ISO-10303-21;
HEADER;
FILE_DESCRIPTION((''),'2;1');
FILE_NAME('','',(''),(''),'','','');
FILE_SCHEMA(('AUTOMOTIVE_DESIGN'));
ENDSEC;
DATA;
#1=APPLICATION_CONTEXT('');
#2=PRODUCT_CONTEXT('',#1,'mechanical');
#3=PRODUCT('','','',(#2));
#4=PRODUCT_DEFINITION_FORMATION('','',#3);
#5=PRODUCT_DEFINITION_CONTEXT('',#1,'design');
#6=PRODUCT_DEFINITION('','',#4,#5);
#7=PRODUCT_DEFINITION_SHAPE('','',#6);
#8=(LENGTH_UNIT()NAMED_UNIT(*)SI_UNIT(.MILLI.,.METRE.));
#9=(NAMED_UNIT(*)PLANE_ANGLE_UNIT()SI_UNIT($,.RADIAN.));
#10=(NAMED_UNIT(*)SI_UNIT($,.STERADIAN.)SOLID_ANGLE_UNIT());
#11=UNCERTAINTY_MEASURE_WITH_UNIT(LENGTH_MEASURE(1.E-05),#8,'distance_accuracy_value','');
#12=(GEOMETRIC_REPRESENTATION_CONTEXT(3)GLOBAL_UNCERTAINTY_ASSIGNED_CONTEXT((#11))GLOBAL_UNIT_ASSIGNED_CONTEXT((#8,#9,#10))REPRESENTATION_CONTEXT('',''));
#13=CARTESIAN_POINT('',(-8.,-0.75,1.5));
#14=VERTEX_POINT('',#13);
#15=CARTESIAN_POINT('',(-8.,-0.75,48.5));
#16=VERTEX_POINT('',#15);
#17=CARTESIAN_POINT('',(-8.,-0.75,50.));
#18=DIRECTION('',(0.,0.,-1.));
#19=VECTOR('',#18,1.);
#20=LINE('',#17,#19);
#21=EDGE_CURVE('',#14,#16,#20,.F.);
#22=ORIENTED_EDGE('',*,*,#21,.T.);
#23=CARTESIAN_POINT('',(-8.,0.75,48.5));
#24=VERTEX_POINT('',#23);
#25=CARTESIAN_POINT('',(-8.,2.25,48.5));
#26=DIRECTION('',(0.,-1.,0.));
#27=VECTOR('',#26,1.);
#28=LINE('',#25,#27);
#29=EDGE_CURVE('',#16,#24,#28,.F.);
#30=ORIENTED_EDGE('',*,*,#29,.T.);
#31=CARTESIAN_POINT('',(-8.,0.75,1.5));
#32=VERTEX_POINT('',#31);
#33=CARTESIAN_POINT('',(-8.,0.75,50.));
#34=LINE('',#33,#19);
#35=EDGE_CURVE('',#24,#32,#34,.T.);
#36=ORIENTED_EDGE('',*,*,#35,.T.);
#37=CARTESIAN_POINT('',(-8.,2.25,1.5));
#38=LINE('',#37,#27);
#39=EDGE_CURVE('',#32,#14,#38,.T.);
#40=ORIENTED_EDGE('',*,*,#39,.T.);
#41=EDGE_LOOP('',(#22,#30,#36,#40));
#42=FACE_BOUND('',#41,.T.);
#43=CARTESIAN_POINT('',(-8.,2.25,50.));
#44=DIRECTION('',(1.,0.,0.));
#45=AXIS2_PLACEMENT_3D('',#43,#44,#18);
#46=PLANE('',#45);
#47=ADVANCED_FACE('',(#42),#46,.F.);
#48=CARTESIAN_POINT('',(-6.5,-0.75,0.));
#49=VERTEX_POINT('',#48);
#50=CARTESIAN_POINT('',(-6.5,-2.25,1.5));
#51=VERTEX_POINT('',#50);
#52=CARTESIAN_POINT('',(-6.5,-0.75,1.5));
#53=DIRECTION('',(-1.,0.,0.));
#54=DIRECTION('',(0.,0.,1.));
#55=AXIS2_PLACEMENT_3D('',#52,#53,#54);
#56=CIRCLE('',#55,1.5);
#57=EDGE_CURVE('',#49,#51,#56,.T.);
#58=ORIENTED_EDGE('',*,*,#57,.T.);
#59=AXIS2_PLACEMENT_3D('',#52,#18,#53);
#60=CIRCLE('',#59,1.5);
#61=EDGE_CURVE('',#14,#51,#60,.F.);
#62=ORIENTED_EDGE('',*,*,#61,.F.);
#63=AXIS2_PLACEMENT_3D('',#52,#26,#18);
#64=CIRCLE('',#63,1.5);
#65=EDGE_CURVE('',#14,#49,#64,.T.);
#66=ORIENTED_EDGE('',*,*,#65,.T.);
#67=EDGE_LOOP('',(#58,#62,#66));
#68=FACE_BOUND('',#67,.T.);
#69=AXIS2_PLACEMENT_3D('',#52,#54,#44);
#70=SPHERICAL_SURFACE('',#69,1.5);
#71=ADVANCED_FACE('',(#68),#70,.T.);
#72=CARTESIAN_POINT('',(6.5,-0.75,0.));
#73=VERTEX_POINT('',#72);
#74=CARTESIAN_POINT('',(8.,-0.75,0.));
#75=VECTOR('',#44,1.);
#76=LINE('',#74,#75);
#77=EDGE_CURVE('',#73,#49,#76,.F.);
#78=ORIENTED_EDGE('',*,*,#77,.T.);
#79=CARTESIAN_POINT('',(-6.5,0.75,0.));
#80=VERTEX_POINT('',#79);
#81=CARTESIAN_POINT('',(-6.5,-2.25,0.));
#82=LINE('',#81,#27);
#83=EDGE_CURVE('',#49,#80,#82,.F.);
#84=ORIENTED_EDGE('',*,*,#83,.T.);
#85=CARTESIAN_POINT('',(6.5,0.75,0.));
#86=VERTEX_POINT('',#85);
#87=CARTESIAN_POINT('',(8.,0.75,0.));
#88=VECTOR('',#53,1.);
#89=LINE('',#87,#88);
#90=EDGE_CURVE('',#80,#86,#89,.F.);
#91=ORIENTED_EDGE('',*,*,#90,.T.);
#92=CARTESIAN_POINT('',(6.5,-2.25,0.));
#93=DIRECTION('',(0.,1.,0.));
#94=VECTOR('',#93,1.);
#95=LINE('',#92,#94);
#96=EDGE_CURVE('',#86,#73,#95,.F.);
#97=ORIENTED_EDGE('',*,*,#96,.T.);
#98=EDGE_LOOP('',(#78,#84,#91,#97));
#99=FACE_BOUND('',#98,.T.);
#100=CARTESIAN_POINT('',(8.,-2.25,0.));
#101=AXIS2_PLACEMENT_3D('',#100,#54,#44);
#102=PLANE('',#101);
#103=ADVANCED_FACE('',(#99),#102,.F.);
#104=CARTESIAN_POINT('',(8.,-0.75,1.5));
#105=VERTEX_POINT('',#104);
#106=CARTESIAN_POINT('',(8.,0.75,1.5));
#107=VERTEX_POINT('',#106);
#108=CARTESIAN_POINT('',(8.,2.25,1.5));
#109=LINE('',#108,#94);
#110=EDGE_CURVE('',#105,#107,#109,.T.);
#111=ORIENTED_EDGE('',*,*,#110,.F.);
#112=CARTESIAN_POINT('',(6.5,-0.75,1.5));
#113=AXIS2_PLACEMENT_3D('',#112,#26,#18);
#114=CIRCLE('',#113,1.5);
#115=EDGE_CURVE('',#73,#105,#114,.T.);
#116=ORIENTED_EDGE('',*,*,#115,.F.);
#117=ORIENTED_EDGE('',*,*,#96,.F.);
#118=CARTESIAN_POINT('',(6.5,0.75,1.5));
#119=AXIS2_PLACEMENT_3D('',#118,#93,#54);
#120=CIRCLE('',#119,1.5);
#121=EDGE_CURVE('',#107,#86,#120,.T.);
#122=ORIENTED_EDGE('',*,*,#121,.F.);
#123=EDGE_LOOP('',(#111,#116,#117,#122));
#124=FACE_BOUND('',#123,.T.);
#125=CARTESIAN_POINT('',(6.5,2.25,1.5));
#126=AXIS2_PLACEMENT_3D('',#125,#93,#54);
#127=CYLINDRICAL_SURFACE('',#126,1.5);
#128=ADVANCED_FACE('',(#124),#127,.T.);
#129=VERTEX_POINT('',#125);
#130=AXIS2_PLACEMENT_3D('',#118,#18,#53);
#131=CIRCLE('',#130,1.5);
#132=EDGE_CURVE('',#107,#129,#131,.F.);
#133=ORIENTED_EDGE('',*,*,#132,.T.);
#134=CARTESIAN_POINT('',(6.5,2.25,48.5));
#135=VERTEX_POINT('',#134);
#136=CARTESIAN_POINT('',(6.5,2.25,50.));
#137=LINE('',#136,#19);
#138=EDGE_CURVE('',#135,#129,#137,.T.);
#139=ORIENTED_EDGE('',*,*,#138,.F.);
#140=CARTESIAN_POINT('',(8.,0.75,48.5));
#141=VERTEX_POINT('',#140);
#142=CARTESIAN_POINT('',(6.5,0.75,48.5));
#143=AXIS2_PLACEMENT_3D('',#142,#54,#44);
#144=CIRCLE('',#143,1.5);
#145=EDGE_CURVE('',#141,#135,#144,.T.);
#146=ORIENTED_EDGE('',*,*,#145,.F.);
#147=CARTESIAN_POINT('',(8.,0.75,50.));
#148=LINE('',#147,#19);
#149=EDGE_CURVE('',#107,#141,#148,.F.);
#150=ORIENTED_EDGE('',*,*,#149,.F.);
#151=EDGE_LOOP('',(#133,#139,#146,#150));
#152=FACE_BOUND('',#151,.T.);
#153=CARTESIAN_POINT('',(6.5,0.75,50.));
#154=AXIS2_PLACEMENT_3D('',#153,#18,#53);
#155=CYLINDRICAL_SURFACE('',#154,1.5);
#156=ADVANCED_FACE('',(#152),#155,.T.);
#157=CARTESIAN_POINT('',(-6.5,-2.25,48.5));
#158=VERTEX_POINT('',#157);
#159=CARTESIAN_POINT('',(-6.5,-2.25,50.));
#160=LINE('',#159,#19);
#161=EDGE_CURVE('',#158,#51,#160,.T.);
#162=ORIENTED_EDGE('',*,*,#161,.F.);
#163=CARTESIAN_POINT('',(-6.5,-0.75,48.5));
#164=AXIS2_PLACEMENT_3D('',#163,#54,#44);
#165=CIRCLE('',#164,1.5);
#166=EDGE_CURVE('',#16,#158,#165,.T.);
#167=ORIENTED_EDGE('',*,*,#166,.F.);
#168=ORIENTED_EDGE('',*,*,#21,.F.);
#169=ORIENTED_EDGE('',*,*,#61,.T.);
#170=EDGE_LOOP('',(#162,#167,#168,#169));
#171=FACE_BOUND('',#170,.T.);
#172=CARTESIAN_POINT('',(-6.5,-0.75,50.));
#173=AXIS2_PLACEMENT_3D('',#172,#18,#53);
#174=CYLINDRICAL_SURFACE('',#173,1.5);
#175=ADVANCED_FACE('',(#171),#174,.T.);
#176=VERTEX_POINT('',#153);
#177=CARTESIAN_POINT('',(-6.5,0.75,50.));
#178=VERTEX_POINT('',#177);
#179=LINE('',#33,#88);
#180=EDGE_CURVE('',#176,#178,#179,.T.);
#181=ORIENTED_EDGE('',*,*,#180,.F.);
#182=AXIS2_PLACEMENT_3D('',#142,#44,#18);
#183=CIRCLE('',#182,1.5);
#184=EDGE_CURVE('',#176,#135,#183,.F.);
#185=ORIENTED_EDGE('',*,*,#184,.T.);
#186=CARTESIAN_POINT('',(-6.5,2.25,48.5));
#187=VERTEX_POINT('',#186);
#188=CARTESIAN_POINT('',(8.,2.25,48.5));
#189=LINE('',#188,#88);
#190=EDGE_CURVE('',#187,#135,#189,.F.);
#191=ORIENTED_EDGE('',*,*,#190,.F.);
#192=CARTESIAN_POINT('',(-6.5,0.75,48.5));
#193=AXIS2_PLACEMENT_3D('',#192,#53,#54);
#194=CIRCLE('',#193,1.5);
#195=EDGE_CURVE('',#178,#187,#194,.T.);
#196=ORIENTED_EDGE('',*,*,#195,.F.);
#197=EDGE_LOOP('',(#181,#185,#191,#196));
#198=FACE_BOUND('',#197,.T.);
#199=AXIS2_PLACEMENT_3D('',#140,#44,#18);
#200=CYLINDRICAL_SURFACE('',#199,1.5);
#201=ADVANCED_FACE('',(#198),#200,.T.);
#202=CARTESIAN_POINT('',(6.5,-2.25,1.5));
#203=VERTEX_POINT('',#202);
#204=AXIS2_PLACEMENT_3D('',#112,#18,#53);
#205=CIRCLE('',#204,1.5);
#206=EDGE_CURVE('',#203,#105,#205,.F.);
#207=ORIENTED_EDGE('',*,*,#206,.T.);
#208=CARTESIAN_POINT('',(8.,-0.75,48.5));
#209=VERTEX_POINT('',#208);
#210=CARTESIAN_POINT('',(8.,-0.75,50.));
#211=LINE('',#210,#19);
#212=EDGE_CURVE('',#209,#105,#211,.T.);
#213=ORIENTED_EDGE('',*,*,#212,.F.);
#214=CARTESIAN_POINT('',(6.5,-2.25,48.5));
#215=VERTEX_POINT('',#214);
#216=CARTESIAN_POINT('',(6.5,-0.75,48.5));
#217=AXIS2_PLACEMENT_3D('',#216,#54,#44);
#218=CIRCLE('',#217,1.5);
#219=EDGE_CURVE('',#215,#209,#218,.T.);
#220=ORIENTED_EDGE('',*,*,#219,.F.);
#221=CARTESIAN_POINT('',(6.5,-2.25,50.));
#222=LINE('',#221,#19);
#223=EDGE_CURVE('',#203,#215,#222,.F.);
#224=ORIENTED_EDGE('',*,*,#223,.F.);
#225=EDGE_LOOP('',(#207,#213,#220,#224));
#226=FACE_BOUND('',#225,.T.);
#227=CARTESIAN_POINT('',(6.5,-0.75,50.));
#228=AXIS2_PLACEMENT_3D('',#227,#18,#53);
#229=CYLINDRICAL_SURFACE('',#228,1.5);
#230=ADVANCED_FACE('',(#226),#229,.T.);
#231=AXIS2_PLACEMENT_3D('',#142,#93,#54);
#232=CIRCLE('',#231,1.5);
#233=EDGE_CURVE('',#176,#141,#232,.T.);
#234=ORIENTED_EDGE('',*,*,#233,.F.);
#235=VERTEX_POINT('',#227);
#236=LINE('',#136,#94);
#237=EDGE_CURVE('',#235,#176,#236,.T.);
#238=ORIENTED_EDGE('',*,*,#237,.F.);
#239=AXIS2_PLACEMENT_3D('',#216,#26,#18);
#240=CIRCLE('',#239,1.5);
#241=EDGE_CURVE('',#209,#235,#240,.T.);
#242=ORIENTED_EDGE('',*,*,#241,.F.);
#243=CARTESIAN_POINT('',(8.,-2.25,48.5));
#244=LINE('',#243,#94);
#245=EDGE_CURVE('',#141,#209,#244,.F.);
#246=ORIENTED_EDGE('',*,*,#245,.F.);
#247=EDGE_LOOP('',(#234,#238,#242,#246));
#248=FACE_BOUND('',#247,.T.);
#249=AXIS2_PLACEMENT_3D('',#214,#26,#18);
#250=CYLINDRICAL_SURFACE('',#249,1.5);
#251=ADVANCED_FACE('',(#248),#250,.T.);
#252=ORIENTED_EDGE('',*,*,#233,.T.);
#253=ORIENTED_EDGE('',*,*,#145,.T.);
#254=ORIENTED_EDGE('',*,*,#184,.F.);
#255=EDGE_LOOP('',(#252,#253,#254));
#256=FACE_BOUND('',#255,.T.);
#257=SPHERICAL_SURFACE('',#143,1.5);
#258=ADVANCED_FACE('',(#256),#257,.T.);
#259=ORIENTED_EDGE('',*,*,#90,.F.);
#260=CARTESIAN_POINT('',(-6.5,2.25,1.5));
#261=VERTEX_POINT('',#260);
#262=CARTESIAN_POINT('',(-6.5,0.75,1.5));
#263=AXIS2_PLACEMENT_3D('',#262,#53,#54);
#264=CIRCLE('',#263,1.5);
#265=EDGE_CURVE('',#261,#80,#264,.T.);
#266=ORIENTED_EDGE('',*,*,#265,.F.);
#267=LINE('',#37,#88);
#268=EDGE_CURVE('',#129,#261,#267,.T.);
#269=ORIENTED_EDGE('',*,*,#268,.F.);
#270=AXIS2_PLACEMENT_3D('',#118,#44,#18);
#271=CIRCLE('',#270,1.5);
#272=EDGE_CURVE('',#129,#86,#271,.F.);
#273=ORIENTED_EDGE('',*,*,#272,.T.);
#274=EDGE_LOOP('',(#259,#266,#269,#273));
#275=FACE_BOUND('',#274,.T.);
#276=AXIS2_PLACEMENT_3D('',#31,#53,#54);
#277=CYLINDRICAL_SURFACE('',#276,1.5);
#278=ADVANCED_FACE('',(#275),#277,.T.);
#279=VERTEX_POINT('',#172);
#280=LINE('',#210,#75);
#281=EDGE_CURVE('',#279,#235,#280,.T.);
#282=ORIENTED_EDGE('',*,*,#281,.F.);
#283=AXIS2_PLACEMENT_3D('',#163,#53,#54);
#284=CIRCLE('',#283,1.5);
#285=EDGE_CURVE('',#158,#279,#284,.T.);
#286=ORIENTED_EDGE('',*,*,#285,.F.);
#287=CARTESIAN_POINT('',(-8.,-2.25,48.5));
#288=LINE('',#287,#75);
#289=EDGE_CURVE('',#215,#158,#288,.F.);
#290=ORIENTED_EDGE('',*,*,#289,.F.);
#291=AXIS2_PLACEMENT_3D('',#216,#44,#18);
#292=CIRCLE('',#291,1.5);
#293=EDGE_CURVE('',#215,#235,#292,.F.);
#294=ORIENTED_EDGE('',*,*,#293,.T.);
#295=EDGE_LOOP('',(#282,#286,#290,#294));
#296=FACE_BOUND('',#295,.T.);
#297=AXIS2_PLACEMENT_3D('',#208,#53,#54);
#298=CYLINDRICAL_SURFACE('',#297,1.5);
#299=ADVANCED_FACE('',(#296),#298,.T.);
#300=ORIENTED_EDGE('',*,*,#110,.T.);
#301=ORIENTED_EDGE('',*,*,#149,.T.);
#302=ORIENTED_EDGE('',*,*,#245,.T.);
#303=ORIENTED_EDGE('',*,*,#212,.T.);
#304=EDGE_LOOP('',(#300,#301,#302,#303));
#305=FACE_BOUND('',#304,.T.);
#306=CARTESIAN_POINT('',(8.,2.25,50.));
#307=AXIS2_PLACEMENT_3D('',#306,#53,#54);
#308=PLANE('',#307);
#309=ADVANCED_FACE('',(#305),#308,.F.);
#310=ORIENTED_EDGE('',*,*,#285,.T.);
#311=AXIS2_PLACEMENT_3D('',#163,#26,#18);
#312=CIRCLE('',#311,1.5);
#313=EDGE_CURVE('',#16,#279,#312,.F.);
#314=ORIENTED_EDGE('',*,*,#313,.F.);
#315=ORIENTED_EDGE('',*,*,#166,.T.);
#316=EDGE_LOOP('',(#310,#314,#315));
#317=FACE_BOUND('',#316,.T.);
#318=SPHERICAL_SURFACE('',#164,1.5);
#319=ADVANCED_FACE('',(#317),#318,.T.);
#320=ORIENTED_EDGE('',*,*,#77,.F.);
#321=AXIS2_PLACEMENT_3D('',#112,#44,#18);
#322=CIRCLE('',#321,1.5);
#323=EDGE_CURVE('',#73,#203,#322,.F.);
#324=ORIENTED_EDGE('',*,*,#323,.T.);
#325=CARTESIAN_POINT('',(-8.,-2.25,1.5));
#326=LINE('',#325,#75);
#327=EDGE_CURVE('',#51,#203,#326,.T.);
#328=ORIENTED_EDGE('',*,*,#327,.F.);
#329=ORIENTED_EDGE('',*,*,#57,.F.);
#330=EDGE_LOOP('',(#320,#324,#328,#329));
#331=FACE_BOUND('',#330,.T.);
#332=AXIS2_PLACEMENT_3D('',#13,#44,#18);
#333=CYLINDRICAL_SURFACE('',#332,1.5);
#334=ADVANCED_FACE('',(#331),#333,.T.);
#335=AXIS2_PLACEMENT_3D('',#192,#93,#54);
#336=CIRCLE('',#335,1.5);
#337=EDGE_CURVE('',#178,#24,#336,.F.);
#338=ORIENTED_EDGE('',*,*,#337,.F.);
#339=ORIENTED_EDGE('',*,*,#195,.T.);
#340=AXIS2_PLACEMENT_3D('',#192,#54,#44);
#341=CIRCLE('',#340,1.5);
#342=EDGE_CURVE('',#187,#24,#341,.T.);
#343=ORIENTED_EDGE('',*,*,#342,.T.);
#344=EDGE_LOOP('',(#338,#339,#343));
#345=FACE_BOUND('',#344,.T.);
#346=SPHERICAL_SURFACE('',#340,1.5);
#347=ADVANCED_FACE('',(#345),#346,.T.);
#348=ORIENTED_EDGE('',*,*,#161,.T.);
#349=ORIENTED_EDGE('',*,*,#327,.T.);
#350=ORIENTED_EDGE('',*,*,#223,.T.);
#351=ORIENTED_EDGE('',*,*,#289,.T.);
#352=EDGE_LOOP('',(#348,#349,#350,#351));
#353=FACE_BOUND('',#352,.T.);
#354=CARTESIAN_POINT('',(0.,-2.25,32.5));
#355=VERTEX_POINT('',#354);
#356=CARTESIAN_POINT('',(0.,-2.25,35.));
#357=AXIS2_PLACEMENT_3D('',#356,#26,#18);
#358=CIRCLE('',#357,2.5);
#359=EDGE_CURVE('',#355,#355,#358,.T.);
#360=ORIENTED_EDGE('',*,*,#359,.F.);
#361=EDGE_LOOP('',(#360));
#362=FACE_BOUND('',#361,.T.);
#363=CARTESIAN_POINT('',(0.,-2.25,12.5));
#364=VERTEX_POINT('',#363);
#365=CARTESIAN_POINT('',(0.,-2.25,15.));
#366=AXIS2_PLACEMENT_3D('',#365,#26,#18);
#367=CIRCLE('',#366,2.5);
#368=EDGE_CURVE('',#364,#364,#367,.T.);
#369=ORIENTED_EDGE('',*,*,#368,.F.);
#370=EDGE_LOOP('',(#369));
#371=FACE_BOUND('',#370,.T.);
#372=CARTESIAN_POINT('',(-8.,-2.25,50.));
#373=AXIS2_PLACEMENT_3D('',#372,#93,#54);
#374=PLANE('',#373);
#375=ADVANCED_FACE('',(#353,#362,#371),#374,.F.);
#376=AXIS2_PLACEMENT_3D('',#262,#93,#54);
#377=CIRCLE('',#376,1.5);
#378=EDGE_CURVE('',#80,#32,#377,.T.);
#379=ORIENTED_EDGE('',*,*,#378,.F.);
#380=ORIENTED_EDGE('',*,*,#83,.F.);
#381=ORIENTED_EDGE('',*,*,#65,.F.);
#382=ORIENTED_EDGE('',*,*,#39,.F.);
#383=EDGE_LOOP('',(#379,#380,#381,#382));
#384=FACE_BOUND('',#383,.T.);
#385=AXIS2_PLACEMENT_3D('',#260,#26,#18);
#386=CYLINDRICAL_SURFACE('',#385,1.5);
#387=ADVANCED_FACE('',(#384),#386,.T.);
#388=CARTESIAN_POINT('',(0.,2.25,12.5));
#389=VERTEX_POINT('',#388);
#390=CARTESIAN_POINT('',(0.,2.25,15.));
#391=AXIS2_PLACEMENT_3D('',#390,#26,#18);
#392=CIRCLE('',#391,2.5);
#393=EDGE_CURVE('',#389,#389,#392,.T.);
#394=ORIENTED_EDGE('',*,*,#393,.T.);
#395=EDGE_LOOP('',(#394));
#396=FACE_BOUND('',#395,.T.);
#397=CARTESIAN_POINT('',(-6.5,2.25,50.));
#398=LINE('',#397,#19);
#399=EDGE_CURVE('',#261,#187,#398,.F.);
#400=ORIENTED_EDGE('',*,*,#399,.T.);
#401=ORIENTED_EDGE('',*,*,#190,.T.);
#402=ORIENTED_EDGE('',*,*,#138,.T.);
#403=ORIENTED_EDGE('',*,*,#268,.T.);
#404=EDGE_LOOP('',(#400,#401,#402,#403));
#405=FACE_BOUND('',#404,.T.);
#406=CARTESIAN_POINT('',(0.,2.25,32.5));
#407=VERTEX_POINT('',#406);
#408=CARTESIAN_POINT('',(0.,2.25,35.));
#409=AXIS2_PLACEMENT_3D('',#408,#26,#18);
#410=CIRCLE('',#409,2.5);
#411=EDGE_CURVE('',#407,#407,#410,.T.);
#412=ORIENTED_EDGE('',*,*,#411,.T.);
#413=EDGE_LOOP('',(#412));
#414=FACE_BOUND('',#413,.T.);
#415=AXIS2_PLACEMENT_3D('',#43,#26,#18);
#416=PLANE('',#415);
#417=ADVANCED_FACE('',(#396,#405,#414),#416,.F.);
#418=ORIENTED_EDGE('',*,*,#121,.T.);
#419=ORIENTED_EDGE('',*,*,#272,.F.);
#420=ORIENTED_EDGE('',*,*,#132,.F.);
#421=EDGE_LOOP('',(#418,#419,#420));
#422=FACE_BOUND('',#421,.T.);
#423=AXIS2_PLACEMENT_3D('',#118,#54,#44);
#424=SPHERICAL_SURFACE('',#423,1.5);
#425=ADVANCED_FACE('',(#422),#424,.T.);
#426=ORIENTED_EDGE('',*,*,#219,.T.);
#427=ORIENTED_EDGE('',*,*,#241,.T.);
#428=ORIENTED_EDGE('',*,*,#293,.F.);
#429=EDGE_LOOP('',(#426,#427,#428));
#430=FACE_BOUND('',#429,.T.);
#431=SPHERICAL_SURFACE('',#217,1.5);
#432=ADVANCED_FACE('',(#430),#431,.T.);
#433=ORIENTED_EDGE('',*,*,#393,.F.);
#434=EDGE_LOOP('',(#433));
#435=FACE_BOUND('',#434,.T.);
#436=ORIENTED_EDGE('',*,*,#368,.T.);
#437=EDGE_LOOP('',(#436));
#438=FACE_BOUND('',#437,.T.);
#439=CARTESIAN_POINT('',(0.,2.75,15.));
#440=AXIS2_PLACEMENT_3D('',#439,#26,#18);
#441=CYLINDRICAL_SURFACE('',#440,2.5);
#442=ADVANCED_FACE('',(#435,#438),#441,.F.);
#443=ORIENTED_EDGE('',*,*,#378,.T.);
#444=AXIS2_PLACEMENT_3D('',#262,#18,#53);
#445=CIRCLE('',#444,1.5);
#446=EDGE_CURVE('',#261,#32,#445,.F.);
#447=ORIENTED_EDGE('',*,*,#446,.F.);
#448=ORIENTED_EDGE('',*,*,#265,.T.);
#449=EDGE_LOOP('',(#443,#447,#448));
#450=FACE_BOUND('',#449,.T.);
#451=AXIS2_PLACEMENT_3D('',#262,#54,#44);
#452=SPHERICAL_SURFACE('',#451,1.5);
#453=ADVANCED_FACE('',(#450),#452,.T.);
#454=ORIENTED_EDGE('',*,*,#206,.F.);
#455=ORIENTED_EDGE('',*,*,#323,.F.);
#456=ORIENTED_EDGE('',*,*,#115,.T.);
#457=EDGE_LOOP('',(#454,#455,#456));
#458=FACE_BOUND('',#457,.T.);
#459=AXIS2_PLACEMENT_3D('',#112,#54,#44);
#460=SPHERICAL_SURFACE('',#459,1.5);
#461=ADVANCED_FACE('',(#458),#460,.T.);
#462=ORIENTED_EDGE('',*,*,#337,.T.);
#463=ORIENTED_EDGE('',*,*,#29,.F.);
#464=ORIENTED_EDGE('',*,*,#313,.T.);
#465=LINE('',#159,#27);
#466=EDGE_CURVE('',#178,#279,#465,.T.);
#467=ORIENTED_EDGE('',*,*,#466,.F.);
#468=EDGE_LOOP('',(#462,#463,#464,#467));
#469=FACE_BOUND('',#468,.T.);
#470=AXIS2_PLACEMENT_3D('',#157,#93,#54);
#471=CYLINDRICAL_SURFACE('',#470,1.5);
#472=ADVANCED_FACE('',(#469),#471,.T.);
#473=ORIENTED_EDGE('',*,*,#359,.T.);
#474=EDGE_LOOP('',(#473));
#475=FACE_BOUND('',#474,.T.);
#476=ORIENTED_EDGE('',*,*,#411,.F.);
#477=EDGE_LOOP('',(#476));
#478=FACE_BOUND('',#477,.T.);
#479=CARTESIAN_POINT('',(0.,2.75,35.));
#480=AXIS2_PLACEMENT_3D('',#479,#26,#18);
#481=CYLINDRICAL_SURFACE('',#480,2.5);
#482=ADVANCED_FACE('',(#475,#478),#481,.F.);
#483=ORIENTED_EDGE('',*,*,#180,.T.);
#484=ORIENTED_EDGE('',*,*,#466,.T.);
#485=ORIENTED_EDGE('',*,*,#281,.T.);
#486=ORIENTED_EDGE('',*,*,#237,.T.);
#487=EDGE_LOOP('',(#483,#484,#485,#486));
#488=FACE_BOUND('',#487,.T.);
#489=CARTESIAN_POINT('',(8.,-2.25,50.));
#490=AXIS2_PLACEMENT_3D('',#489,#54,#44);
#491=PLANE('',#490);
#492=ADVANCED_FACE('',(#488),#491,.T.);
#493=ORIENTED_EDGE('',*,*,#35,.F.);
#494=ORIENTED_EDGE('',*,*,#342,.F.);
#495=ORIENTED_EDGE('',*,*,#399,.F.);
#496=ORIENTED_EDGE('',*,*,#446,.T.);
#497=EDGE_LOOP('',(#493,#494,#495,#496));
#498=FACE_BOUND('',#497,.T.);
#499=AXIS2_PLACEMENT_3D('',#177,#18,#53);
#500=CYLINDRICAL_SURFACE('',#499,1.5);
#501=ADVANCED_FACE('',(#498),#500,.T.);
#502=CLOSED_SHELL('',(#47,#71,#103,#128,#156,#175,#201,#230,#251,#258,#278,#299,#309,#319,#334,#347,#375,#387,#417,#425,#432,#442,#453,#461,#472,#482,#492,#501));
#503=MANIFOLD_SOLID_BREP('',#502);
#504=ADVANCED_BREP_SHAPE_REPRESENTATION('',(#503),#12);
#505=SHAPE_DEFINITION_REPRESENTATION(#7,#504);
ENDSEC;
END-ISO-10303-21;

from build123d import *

# Parameters (mm, degrees)
SKETCH1_W           = 16
SKETCH1_H           = 4.5
BOSS_EXTRUDE1_DEPTH = 50
FILLET1_R           = 1.5
SKETCH2_R           = 2.5
CUT_EXTRUDE1_DEPTH  = 5


with BuildPart() as part:
    # Sketch1 → Boss-Extrude1 (new body)
    with BuildSketch(Plane.XY):
        Rectangle(SKETCH1_W, SKETCH1_H)
    extrude(amount=BOSS_EXTRUDE1_DEPTH)

    # Fillet1
    fillet1_edges = [part.edges().sort_by_distance(p)[0] for p in [
        (-8, 0, 50),
        (0, -2.25, 50),
        (8, 0, 50),
        (0, -2.25, 0),
        (-8, 0, 0),
        (0, 2.25, 0),
        (8, 0, 0),
        (0, 2.25, 50),
        (8, -2.25, 25),
        (-8, -2.25, 25),
        (-8, 2.25, 25),
        (8, 2.25, 25),
    ]]
    fillet(fillet1_edges, radius=FILLET1_R)

    # Sketch2 → Cut-Extrude1 (cut)
    with BuildSketch(Plane.XZ.offset(2.25)):
        with Locations(Location((0, 15, 0), (0, 0, 270))):
            Circle(SKETCH2_R)
        with Locations(Location((0, 35, 0), (0, 0, 270))):
            Circle(SKETCH2_R)
    extrude(amount=-CUT_EXTRUDE1_DEPTH, mode=Mode.SUBTRACT)


solid = part.part
